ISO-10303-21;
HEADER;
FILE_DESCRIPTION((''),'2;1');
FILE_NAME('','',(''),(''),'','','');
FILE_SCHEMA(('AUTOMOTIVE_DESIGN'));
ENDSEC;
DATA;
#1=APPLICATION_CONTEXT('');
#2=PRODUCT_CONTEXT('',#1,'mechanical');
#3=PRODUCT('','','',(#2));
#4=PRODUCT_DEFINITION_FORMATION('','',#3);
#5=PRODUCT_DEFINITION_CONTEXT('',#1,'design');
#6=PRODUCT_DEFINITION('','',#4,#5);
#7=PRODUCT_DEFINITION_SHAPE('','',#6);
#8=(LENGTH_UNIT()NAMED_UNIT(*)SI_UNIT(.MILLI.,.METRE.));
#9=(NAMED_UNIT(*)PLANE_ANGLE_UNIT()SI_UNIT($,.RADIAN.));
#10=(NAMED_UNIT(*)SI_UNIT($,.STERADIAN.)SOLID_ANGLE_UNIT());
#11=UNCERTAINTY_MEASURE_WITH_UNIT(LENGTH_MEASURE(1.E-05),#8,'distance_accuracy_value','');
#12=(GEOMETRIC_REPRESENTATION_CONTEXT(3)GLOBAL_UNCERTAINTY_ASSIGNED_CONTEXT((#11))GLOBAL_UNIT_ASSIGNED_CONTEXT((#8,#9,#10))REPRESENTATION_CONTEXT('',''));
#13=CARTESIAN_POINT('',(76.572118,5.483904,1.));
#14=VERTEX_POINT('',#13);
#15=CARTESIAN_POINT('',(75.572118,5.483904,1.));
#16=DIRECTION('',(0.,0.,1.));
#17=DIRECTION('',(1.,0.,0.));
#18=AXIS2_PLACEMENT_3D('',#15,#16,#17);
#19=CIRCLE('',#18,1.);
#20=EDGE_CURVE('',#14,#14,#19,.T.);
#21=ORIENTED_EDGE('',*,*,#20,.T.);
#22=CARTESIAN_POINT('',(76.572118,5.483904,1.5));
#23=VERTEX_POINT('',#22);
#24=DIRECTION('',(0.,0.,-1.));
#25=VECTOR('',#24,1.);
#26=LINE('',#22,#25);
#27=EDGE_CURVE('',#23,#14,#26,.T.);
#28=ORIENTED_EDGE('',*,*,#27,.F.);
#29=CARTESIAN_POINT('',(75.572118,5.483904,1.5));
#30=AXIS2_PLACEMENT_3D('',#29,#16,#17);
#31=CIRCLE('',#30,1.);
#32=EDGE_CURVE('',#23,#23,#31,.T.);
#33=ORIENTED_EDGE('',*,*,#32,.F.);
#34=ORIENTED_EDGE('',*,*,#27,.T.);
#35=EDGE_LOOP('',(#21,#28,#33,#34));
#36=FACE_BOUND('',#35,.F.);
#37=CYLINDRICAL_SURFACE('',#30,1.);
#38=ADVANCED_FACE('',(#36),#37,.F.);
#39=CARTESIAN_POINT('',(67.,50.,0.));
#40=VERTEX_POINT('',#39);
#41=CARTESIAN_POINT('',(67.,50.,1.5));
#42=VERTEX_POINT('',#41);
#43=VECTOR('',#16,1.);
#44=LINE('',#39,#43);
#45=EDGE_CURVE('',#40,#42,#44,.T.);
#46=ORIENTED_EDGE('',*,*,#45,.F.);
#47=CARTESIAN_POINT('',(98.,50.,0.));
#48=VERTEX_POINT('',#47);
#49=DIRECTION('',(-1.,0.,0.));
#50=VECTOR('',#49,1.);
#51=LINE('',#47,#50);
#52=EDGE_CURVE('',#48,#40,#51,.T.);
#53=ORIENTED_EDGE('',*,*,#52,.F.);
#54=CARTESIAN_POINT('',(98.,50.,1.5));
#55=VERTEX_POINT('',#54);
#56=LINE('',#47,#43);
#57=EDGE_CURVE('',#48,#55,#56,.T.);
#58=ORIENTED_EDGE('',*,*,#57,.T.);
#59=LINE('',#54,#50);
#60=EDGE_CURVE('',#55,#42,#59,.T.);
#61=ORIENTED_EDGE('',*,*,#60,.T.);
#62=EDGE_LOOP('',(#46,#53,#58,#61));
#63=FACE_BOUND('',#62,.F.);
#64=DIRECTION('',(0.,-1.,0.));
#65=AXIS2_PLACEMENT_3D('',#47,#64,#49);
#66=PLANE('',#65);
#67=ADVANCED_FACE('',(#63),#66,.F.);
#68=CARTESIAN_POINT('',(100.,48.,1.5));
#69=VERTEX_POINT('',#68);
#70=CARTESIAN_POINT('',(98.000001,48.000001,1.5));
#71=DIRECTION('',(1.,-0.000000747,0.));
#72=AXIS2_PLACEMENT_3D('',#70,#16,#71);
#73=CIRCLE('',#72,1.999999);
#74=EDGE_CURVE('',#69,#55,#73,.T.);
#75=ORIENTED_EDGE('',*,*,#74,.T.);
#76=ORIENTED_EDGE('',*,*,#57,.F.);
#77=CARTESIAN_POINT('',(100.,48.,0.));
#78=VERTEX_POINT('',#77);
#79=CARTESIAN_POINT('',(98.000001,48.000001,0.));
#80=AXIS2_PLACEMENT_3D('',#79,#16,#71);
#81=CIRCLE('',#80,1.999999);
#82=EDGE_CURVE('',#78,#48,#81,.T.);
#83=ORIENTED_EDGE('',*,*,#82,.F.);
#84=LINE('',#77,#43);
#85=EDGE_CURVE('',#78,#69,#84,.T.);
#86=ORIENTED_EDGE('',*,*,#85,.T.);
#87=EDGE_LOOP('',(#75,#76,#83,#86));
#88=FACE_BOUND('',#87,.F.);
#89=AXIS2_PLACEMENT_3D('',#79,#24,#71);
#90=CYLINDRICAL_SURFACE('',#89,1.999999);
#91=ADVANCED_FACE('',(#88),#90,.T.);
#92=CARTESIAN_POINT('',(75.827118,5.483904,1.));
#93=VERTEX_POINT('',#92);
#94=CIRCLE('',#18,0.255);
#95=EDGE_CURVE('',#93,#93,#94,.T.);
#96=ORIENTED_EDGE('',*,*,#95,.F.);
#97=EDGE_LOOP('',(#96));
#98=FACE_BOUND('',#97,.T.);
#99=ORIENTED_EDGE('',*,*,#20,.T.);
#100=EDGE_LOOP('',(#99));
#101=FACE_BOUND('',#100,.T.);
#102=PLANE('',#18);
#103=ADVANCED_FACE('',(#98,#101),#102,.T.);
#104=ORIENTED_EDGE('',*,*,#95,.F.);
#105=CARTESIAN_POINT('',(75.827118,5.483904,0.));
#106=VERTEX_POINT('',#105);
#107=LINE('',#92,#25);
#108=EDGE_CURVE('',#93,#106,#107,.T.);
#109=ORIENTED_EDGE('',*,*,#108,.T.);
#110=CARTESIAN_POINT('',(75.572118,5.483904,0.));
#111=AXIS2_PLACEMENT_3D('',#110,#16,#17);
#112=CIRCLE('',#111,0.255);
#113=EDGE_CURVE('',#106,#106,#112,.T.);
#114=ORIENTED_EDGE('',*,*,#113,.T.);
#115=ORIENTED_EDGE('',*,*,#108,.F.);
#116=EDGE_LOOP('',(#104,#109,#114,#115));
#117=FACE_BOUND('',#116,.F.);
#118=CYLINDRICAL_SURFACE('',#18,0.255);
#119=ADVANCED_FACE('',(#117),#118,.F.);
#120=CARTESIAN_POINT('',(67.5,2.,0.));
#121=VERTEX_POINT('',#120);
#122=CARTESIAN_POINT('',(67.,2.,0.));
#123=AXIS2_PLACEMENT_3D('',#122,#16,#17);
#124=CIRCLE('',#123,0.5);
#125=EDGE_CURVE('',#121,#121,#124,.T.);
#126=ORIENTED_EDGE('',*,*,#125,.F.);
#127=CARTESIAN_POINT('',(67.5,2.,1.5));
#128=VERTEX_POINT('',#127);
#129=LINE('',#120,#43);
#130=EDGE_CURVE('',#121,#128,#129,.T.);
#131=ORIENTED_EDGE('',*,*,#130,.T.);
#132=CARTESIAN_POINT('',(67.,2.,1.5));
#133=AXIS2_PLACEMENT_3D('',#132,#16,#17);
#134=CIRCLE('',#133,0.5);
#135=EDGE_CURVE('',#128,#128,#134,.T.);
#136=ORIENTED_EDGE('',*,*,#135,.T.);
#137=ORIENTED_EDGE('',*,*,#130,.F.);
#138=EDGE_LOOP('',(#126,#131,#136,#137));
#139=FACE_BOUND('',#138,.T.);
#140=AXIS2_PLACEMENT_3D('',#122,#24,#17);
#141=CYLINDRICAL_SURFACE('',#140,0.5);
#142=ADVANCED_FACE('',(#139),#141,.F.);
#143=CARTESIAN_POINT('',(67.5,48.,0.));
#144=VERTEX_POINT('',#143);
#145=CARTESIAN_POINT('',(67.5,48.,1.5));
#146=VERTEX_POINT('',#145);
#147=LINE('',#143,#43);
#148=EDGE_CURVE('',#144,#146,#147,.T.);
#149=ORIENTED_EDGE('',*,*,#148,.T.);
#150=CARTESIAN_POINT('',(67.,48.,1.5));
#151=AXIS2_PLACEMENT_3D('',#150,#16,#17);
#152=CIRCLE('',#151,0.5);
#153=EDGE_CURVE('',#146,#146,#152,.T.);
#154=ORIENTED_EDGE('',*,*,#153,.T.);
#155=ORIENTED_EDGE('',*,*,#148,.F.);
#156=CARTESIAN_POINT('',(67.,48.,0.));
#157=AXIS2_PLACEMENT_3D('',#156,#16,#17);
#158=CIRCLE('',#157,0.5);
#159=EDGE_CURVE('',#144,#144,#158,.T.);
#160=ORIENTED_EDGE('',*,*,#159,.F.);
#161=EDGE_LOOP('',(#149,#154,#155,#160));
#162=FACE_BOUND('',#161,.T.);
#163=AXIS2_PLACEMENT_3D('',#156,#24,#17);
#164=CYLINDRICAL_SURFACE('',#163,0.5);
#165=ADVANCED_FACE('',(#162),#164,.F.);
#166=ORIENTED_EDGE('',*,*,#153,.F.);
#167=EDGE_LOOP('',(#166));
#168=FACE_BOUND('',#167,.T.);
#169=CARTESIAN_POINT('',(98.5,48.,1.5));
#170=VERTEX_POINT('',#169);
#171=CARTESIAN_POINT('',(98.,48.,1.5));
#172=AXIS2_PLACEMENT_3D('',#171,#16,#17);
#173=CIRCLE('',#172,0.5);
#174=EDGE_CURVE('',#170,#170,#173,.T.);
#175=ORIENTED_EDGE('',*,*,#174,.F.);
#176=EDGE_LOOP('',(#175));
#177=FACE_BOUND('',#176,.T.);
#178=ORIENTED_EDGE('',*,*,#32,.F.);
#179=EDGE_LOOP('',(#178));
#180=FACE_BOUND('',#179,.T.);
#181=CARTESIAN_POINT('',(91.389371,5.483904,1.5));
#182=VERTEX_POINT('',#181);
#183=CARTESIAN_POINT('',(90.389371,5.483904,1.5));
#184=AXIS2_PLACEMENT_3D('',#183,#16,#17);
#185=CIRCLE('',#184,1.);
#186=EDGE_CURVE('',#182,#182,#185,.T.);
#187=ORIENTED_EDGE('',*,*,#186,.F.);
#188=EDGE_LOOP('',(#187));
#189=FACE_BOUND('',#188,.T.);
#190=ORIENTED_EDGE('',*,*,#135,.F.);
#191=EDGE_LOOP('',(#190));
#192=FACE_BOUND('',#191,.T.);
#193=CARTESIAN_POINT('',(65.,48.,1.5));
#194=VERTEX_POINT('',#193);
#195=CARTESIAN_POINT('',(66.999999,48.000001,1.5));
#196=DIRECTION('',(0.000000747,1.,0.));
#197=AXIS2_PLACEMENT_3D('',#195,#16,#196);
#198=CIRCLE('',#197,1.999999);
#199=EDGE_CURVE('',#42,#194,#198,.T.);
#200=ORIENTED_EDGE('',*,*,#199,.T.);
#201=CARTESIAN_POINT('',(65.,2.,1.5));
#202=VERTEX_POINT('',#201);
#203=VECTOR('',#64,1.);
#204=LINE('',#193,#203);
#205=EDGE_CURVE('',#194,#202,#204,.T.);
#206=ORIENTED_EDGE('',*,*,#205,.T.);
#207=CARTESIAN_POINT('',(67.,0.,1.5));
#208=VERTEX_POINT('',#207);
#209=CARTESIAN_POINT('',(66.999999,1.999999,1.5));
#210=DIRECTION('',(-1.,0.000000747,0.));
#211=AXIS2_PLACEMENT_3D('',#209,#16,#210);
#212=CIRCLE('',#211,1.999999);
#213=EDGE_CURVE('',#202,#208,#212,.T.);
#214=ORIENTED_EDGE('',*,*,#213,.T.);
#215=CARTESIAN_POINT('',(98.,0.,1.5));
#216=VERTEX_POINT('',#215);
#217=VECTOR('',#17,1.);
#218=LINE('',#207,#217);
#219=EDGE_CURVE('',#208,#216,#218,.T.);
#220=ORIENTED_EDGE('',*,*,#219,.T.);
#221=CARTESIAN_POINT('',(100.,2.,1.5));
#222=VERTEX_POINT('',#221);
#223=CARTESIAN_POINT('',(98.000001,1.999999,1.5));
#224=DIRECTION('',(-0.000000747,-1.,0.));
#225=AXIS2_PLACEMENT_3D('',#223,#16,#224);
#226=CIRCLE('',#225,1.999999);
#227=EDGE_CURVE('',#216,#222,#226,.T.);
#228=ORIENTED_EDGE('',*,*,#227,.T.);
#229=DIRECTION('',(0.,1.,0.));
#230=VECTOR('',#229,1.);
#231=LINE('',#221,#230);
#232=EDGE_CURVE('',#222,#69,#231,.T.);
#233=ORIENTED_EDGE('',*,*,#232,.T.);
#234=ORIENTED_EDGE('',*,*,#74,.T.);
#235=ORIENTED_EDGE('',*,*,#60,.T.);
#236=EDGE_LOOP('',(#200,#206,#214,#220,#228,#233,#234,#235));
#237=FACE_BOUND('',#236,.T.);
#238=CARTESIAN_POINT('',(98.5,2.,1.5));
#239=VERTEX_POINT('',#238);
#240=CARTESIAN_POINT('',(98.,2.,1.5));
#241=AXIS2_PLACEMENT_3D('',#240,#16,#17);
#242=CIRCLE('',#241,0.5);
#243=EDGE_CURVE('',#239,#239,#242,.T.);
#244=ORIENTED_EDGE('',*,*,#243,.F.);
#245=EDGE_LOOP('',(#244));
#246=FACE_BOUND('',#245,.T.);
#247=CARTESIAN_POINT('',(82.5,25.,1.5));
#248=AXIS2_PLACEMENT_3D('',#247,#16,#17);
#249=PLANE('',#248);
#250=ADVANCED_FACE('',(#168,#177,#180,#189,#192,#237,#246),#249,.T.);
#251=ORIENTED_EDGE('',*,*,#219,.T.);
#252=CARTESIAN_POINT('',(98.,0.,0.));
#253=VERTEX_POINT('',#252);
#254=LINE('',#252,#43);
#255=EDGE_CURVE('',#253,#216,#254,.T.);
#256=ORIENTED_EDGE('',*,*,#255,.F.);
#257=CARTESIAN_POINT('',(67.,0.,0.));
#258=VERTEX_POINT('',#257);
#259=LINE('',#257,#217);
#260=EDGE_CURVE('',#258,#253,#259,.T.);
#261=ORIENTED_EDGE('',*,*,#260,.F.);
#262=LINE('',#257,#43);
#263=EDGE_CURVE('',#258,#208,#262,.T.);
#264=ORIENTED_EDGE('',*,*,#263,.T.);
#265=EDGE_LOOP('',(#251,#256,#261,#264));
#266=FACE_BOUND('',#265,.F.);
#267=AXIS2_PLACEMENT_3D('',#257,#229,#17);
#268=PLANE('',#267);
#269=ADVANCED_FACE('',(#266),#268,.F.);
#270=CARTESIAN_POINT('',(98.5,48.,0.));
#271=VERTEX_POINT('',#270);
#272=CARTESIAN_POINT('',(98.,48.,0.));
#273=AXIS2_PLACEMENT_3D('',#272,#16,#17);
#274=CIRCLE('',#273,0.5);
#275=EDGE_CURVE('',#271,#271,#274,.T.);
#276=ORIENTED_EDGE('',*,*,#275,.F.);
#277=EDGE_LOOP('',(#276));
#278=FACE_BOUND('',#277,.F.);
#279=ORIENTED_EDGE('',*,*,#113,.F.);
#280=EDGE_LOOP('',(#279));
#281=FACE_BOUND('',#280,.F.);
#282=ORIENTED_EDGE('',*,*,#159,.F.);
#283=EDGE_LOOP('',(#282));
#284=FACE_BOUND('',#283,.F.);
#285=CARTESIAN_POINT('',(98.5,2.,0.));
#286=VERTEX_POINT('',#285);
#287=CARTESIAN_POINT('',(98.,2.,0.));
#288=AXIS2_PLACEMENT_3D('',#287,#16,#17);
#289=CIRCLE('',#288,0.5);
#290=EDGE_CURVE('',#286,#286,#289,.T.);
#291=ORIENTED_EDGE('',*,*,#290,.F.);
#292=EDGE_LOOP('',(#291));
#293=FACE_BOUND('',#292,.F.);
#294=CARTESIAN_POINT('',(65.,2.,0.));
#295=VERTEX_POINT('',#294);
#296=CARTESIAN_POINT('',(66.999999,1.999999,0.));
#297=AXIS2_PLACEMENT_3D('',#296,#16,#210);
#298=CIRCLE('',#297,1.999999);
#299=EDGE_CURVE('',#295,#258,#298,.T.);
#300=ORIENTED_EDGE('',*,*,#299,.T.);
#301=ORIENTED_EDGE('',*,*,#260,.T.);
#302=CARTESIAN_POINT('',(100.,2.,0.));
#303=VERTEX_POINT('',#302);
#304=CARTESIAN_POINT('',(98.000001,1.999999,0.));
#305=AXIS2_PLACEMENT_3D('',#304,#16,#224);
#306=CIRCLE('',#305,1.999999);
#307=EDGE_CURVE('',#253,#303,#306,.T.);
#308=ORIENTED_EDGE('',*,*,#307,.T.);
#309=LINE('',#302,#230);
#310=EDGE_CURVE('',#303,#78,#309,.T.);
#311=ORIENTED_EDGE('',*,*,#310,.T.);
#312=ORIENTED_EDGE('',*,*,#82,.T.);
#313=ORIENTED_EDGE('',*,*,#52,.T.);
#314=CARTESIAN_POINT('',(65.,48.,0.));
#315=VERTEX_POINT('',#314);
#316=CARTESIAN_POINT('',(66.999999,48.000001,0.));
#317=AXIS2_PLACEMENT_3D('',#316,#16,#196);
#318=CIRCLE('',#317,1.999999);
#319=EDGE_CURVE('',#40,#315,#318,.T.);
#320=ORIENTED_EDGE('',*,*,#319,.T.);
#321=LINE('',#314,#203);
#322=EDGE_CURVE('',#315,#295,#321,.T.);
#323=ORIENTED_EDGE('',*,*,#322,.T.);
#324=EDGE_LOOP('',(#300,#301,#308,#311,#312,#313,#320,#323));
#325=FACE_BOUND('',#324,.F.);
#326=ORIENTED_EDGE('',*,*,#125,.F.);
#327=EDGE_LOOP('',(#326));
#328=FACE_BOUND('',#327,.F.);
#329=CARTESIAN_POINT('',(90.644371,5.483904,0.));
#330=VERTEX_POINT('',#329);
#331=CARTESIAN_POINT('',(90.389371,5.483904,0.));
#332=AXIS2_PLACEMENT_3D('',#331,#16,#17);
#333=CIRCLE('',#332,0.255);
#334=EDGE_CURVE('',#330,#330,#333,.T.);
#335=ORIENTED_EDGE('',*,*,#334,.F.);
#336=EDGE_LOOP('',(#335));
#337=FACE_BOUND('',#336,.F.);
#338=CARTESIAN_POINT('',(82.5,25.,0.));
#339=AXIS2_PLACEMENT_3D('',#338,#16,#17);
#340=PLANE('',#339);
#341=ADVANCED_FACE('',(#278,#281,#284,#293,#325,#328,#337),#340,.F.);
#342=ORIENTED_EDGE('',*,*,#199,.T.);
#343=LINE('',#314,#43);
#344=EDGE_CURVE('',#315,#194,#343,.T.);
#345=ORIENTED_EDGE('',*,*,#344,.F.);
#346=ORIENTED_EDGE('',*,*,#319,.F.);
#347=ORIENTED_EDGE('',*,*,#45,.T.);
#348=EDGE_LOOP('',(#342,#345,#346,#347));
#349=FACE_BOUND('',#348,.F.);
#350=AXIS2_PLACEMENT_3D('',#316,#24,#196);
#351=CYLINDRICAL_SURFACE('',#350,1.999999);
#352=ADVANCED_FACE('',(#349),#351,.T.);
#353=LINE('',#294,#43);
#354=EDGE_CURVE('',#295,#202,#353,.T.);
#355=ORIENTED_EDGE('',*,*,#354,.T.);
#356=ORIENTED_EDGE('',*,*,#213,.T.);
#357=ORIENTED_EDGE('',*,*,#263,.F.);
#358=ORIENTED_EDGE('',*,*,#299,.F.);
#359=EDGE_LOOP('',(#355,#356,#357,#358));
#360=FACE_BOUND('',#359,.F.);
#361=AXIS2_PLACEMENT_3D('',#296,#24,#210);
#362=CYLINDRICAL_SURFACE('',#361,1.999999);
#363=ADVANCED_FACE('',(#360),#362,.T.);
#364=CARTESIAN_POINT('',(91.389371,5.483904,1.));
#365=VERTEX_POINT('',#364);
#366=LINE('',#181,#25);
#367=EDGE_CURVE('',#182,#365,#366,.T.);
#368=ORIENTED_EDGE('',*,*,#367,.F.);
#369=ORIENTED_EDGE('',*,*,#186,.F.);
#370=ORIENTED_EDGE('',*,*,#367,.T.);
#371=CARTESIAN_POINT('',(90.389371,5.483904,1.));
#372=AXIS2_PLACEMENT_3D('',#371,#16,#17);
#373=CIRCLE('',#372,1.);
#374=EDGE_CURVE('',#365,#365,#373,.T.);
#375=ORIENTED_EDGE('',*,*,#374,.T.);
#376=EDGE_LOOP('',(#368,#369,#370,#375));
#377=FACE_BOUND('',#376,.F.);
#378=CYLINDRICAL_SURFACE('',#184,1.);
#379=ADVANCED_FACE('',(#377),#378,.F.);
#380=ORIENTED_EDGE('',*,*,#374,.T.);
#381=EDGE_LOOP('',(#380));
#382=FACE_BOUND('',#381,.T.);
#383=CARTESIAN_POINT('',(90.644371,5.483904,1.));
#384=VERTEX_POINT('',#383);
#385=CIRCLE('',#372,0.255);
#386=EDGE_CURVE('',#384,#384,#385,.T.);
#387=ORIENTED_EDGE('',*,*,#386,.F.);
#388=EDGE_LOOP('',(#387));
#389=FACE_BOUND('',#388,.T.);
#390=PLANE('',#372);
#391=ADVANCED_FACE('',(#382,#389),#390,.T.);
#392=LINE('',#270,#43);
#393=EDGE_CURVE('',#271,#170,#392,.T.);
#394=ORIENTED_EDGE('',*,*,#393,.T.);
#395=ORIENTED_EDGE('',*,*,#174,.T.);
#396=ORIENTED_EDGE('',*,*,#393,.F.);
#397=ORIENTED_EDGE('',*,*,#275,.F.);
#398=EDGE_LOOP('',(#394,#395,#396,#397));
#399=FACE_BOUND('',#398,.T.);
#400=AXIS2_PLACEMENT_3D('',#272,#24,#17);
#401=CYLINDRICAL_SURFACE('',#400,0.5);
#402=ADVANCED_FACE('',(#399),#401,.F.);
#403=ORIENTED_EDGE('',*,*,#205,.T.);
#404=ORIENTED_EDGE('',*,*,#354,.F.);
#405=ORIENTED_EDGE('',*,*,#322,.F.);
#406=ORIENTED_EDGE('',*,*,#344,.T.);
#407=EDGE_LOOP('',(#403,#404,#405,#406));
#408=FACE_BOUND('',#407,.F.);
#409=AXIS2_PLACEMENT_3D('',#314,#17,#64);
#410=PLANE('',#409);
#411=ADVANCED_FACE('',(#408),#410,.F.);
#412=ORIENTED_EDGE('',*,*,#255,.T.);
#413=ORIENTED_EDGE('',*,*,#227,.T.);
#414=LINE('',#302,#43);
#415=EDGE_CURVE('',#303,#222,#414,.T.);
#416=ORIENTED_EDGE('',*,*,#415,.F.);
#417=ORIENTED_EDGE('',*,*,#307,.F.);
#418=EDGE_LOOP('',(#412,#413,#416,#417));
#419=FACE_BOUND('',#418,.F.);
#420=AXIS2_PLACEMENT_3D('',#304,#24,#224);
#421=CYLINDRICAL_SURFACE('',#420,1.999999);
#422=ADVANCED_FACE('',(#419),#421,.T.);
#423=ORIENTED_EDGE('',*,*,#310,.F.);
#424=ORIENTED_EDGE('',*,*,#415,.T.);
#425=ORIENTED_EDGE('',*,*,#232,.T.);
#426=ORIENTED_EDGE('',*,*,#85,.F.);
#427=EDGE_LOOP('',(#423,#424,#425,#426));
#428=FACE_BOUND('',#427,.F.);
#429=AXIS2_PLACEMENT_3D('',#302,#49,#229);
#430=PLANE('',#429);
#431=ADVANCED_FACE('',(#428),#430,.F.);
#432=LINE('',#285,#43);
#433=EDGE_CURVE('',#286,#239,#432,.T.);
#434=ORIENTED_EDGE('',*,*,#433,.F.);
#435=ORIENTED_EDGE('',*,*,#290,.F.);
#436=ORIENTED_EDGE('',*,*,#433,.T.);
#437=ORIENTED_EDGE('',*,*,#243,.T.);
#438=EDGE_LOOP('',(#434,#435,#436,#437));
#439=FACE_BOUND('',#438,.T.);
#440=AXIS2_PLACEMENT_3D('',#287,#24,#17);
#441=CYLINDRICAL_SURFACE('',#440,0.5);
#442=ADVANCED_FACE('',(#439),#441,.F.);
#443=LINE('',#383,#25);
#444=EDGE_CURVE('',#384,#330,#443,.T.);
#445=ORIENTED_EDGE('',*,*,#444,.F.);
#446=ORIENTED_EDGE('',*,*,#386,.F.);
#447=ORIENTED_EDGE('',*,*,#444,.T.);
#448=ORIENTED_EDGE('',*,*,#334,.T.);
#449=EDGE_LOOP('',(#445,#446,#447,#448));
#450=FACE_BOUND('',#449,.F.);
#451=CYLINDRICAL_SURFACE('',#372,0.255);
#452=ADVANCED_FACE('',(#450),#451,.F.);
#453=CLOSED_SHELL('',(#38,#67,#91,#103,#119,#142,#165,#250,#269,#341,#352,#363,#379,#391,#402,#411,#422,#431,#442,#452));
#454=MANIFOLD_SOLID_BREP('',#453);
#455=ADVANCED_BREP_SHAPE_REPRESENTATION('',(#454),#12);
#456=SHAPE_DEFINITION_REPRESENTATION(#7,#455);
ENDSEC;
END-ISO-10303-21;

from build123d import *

# Parameters (mm, degrees)
F0_R     = 0.5
F1_DEPTH = 1.5
F2_R     = 1
F3_DEPTH = 0.5
F4_R     = 0.255
F5_DEPTH = 1
F6_R     = 0.255
F7_DEPTH = 1


with BuildPart() as f1:
    # F0 (on Top) → F1 (new body)
    with BuildSketch(Plane.XY):
        with BuildLine():
            ThreePointArc((65, 2), (65.585786, 0.585786), (67, 0))
            Line((67, 0), (98, 0))
            ThreePointArc((98, 0), (99.414214, 0.585786), (100, 2))
            Line((100, 2), (100, 48))
            ThreePointArc((100, 48), (99.414214, 49.414214), (98, 50))
            Line((98, 50), (67, 50))
            ThreePointArc((67, 50), (65.585786, 49.414214), (65, 48))
            Line((65, 48), (65, 2))
        make_face()
        with Locations((67, 2)):
            Circle(F0_R, mode=Mode.SUBTRACT)
        with Locations((98, 2)):
            Circle(F0_R, mode=Mode.SUBTRACT)
        with Locations((67, 48)):
            Circle(F0_R, mode=Mode.SUBTRACT)
        with Locations((98, 48)):
            Circle(F0_R, mode=Mode.SUBTRACT)
    extrude(amount=F1_DEPTH)

    # F2 (on face) → F3 (cut)
    with BuildSketch(Plane.XY.offset(1.5)):
        with Locations((90.389371, 5.483904)):
            Circle(F2_R)
        with Locations((75.572118, 5.483904)):
            Circle(F2_R)
    extrude(amount=-F3_DEPTH, mode=Mode.SUBTRACT)

    # F4 (on face) → F5 (cut)
    with BuildSketch(Plane.XY.offset(1)):
        with Locations((90.389371, 5.483904)):
            Circle(F4_R)
    extrude(amount=-F5_DEPTH, mode=Mode.SUBTRACT)

    # F6 (on face) → F7 (cut)
    with BuildSketch(Plane.XY.offset(1)):
        with Locations((75.572118, 5.483904)):
            Circle(F6_R)
    extrude(amount=-F7_DEPTH, mode=Mode.SUBTRACT)


solid = f1.part
